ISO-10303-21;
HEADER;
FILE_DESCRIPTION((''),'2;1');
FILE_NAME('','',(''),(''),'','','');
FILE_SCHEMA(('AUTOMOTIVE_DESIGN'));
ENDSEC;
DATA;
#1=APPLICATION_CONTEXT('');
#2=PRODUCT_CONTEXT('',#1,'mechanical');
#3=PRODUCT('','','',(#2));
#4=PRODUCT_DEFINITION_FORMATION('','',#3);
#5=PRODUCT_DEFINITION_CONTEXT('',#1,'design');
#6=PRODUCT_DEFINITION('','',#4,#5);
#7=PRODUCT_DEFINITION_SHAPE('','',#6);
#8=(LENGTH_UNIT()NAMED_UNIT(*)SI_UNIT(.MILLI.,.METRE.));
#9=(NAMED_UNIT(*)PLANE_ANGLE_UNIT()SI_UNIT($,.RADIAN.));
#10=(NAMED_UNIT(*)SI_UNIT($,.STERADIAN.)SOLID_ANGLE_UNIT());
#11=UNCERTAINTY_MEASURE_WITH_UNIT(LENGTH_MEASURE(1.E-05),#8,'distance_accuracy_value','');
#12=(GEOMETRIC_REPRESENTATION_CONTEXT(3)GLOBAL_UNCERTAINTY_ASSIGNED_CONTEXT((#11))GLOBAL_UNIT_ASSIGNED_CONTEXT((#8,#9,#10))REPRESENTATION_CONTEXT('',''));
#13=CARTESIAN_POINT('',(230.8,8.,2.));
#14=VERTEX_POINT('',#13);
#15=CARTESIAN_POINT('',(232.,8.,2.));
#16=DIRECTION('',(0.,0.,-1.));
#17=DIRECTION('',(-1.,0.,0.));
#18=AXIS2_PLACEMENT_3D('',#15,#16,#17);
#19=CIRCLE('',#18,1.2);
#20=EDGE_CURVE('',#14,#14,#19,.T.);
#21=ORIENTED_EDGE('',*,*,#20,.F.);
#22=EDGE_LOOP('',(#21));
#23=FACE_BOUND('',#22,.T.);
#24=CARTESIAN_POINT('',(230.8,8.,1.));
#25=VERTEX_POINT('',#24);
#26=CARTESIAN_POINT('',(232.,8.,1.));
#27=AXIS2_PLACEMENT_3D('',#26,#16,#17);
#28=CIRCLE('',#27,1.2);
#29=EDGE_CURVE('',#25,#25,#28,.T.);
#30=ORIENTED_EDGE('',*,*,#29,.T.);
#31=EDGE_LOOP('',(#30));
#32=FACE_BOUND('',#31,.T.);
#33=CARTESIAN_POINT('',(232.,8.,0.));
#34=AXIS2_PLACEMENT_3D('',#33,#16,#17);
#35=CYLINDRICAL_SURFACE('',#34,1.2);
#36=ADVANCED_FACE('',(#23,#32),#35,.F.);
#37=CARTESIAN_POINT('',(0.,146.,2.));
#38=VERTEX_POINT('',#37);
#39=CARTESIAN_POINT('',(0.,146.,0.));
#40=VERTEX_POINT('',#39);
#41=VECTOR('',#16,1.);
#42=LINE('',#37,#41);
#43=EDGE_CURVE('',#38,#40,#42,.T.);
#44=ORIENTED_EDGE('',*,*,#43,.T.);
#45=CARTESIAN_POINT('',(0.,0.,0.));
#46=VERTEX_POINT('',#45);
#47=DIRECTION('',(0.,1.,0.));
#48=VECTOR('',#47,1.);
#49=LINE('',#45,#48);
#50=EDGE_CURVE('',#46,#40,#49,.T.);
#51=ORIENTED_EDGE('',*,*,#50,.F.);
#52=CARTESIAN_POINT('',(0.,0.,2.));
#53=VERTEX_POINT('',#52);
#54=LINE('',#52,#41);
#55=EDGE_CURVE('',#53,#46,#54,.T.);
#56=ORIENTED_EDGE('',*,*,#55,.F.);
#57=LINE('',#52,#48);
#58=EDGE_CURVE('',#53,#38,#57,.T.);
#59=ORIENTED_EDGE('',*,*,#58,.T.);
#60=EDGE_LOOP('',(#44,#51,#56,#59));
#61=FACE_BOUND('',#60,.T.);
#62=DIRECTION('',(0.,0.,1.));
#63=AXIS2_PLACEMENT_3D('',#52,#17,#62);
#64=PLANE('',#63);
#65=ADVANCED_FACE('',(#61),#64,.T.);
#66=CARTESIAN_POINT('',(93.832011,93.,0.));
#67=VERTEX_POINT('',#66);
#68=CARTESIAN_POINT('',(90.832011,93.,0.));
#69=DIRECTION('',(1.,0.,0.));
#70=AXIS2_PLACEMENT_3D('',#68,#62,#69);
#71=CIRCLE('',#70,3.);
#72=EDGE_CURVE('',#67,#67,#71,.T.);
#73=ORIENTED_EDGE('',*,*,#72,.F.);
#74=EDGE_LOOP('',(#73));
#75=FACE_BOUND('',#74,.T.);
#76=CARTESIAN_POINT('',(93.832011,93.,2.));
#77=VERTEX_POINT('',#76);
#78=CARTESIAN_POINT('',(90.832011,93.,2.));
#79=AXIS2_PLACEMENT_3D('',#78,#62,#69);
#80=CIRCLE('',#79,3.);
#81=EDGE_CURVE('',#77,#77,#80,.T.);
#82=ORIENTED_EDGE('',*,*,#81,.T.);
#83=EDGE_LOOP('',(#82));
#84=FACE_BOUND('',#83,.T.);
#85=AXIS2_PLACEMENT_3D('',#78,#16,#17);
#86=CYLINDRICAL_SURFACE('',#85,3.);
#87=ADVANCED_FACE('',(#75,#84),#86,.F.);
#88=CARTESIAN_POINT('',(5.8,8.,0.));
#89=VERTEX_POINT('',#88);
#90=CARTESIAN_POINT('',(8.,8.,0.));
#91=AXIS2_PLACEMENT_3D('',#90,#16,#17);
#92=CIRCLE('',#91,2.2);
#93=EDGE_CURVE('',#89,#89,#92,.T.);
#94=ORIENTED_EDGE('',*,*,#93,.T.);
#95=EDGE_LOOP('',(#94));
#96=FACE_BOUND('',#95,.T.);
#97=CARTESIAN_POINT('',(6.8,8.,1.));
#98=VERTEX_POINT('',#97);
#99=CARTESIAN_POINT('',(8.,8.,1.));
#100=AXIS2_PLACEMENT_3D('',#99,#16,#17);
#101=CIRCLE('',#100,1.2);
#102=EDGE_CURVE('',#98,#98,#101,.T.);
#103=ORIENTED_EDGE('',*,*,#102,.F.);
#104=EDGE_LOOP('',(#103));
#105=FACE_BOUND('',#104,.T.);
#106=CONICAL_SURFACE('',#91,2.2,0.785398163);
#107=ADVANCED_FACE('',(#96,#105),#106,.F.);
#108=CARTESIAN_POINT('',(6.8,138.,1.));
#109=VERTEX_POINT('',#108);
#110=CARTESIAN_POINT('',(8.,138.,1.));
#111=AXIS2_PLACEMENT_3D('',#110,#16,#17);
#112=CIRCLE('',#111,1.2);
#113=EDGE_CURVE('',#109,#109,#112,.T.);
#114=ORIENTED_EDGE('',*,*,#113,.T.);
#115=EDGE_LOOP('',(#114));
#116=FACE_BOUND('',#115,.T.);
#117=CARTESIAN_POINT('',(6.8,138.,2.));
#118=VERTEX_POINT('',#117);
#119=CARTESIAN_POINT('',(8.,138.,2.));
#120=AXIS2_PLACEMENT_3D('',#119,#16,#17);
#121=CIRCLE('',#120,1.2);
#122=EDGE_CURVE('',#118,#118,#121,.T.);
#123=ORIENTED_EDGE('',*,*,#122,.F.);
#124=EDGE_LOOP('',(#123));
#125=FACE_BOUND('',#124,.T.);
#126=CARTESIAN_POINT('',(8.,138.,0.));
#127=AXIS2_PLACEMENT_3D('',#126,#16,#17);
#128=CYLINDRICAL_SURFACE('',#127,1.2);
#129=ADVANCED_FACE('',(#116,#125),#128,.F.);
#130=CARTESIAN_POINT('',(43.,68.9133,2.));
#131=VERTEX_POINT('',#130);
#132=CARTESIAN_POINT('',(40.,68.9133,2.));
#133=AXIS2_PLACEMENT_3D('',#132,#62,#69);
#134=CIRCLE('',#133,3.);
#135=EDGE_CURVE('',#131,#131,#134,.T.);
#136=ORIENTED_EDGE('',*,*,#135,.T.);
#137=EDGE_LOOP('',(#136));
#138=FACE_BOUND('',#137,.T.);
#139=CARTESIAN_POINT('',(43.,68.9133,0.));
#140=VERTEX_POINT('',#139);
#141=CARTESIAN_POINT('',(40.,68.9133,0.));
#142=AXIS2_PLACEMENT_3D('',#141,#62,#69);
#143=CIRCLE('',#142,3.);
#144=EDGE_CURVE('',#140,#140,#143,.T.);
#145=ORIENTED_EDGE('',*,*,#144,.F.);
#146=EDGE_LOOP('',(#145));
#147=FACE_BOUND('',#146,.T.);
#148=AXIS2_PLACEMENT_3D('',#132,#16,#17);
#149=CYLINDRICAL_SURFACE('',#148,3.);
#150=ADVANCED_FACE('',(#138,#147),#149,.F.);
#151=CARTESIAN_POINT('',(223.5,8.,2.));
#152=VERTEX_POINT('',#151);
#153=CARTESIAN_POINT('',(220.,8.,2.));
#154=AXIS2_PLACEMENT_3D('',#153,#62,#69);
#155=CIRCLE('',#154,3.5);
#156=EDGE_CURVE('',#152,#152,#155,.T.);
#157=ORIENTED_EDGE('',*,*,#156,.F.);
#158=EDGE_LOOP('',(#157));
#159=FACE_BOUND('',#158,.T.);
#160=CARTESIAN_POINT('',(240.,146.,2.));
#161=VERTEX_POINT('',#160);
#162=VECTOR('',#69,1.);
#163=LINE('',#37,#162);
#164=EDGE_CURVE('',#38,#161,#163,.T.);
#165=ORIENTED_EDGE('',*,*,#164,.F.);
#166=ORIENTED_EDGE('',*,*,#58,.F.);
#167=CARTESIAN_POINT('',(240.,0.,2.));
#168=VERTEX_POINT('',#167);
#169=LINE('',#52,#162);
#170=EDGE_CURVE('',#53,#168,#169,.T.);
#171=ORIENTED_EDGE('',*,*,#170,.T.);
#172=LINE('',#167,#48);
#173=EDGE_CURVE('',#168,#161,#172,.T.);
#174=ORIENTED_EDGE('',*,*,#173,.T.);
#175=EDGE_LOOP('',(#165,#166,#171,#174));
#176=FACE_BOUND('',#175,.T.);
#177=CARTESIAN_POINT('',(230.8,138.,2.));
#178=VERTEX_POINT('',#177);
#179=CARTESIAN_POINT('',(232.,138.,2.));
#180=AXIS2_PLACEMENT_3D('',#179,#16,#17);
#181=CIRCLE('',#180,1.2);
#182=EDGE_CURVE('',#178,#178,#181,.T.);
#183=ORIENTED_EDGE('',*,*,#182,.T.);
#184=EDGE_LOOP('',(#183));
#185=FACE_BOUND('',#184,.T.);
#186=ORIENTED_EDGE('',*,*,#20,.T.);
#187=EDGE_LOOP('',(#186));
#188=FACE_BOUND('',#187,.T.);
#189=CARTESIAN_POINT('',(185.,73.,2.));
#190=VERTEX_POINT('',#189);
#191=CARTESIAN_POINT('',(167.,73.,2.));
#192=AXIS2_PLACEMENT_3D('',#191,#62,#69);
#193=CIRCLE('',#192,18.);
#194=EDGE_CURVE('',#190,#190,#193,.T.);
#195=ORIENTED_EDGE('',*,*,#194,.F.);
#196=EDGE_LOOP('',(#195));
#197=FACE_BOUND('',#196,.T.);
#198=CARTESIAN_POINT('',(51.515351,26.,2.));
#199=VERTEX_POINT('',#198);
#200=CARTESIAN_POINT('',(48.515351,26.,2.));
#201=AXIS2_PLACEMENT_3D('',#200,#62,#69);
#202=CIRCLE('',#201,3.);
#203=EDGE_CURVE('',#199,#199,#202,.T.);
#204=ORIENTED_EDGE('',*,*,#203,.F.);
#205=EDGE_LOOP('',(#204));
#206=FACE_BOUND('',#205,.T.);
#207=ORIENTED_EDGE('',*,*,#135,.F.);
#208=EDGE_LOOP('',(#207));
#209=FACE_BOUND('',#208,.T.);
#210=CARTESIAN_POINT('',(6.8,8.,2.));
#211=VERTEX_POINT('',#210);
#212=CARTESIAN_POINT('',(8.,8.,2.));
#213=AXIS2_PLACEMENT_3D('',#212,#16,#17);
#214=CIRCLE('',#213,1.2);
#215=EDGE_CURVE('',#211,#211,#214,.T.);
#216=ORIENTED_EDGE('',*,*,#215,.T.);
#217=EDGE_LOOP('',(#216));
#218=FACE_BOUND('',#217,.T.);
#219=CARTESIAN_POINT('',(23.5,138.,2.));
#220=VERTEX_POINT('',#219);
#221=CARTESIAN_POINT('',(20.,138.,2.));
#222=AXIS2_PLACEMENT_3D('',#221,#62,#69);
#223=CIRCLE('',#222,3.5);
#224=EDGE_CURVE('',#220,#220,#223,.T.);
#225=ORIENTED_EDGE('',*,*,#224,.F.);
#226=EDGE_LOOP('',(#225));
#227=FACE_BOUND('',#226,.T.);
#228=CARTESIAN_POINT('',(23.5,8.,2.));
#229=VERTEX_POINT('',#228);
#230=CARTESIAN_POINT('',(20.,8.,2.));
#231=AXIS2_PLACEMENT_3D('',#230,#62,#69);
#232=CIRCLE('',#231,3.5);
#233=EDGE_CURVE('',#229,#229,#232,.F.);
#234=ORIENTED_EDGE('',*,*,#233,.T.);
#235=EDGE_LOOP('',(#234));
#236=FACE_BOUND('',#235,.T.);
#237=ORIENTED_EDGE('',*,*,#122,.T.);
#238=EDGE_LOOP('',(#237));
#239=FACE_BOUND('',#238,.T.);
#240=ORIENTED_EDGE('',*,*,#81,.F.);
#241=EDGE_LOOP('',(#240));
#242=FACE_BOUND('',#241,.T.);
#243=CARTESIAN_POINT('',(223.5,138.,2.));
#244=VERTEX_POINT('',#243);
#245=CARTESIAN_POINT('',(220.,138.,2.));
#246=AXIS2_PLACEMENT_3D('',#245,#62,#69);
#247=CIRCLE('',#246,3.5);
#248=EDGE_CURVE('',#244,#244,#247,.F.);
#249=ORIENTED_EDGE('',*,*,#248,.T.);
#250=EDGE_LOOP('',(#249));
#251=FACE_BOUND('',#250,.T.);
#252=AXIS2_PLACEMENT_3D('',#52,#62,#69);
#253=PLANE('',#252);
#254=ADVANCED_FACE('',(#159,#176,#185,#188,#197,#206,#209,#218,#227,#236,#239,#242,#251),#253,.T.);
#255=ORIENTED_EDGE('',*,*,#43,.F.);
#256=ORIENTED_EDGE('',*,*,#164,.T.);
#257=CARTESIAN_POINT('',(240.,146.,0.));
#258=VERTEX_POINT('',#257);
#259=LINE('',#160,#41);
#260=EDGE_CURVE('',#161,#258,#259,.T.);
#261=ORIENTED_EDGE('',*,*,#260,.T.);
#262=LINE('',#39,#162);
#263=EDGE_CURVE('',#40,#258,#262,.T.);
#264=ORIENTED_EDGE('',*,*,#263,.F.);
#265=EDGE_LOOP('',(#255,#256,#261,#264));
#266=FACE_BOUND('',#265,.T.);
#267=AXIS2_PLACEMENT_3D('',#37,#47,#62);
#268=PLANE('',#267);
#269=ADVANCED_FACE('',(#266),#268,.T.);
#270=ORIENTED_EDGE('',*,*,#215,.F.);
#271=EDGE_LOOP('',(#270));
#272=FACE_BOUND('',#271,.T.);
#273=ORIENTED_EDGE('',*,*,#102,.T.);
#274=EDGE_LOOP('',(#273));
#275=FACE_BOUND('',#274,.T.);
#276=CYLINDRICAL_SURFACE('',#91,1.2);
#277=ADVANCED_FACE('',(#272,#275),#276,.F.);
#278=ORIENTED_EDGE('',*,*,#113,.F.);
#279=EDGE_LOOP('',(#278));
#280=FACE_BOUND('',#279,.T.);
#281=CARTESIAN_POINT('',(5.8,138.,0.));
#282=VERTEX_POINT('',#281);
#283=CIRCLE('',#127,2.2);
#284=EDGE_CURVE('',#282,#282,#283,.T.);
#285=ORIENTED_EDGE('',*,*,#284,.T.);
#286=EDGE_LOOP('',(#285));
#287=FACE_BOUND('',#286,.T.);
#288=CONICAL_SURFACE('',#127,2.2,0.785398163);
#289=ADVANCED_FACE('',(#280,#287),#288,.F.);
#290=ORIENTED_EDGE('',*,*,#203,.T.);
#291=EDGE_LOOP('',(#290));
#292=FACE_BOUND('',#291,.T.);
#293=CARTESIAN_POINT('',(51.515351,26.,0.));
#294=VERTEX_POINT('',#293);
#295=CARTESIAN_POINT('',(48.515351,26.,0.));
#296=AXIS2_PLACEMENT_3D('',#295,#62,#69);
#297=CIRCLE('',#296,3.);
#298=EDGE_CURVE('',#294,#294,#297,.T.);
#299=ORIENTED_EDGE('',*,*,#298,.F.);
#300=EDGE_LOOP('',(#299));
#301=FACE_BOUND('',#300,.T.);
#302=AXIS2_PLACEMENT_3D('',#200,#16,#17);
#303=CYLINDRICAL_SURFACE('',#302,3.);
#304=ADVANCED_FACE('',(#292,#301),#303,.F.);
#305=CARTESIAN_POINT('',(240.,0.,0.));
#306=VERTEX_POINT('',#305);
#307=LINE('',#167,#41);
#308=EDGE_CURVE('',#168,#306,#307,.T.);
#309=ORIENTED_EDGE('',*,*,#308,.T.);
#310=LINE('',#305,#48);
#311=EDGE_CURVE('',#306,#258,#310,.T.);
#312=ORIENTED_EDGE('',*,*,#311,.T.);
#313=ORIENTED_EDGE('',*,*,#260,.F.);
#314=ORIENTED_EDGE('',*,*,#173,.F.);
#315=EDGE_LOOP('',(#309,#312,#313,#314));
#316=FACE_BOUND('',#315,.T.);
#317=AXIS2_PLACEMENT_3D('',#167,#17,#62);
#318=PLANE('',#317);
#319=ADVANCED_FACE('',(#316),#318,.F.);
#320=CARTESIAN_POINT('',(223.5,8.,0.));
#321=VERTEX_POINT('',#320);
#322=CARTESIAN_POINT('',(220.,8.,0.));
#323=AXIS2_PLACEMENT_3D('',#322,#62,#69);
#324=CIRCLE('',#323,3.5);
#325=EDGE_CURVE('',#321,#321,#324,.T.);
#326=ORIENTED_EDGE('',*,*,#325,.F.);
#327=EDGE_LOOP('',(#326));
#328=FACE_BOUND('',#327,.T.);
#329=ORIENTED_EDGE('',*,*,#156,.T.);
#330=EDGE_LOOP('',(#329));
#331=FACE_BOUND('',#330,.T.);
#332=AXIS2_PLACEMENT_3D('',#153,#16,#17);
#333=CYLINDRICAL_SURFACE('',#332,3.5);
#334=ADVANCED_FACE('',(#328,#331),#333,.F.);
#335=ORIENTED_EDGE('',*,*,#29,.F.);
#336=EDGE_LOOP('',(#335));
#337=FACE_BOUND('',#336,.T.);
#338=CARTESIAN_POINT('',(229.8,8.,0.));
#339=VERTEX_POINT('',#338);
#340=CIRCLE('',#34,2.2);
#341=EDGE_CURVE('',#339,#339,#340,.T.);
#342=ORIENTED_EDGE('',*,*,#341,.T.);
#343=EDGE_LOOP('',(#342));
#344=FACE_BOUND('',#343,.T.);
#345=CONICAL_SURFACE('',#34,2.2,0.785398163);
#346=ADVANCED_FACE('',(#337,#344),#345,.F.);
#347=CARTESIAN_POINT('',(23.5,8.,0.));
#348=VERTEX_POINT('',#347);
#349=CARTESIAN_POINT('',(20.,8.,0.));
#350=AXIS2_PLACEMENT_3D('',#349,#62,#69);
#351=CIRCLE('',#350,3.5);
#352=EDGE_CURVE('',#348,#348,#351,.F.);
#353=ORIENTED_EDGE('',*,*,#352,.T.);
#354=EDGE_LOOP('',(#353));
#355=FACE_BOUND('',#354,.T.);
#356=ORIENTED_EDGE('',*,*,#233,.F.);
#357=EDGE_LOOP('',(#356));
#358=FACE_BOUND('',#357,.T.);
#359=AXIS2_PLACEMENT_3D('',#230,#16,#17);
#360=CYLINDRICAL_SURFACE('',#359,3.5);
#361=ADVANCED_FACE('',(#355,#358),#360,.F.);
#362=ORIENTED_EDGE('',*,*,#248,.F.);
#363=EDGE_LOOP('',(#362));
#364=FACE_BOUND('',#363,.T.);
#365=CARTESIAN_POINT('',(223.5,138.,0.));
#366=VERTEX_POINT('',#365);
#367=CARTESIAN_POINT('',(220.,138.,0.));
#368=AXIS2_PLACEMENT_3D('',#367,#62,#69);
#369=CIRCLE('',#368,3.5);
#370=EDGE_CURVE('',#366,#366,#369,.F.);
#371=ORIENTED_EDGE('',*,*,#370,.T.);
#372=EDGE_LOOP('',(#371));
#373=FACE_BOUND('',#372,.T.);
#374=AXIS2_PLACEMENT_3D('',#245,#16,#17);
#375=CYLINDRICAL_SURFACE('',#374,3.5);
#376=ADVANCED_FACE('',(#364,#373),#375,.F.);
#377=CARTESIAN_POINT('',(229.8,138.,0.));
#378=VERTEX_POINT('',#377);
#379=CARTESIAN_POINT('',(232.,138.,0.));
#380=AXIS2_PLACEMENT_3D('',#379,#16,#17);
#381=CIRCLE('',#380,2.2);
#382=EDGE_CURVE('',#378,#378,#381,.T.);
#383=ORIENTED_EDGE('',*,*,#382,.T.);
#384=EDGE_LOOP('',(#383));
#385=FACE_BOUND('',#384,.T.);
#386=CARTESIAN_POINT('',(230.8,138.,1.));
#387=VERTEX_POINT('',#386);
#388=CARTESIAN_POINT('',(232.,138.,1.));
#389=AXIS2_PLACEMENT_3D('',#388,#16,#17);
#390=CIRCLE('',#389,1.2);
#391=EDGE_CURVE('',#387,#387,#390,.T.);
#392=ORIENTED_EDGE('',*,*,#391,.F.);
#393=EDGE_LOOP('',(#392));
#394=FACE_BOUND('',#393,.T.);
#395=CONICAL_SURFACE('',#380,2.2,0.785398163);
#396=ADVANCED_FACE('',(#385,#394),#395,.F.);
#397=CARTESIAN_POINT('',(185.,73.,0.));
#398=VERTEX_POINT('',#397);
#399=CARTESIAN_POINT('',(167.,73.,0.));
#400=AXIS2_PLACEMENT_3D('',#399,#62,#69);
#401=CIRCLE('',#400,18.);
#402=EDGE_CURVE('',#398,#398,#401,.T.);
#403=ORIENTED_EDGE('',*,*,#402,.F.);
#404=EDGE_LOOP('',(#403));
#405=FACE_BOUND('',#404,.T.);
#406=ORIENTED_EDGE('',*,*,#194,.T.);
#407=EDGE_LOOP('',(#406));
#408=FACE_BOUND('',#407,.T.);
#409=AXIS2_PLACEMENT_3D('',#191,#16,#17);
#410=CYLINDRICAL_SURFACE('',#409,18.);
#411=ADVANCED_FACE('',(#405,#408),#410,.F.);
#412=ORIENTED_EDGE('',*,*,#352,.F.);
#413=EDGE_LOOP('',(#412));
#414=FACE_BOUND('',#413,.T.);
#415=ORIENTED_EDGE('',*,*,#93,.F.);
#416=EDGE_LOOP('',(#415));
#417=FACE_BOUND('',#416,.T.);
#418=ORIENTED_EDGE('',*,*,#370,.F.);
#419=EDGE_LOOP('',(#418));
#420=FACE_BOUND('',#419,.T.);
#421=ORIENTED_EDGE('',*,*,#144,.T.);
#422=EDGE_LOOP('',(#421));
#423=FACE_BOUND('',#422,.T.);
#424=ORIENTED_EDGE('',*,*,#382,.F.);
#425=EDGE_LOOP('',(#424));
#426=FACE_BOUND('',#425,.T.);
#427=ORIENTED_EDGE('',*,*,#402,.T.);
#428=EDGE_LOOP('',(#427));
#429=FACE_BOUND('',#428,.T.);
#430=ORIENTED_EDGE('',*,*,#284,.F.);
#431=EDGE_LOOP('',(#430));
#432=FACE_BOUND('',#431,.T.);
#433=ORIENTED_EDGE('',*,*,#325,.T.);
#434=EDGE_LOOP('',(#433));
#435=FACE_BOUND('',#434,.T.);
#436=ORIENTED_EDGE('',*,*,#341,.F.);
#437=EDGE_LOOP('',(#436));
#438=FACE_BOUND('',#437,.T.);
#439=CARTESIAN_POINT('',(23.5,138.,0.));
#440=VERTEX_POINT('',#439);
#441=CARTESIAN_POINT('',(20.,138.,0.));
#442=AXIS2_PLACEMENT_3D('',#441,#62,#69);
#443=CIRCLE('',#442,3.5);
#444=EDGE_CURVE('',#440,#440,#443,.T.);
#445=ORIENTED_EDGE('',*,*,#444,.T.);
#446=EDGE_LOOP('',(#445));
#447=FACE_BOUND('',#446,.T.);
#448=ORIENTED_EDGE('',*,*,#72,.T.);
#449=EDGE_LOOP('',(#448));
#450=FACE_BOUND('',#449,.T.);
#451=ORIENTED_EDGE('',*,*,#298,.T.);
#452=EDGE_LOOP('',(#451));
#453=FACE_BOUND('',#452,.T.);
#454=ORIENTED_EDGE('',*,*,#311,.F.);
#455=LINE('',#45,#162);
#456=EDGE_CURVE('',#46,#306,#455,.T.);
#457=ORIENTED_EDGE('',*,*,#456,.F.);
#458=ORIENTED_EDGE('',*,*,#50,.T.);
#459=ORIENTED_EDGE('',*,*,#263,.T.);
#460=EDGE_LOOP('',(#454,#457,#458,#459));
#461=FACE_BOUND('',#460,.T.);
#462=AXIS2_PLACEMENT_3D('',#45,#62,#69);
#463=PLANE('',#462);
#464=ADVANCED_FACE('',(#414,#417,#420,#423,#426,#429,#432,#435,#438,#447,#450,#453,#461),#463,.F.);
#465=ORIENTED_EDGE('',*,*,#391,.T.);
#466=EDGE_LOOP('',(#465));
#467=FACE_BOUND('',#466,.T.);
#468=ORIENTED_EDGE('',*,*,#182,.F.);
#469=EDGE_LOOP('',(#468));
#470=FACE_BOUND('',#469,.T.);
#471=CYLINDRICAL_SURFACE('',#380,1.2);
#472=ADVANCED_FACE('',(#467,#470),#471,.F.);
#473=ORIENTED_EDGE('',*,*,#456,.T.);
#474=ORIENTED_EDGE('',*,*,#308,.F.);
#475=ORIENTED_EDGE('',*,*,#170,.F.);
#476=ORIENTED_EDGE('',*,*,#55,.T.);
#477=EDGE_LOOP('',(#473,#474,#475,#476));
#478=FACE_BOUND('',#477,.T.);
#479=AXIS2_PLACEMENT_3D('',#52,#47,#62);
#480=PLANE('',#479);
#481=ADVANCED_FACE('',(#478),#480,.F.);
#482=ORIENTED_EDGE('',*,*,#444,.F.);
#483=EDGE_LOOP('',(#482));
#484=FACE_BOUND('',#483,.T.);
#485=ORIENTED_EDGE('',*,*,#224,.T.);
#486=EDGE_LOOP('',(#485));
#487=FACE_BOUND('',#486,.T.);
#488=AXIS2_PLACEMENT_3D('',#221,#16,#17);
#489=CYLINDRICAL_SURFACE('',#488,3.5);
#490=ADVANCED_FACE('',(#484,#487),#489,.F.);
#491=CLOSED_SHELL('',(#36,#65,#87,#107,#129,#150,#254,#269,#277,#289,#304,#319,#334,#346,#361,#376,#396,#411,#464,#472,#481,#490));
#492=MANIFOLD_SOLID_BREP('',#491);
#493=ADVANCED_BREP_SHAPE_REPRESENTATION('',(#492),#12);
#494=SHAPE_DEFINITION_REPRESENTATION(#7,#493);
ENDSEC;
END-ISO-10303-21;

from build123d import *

# Parameters (mm, degrees)
SKETCH_1_W                 = 240
SKETCH_1_H                 = 146
SKETCH_1_R                 = 3
SKETCH_1_R_2               = 18
SKETCH_1_R_3               = 3.5
EXTRUDE_1_DEPTH            = 2
HOLE_WIZARD_M21_AT_2_COUNT = 2
HOLE_WIZARD_M21_AT_2_PITCH = 224
HOLE_WIZARD_M21_AT_3_COUNT = 2
HOLE_WIZARD_M21_AT_3_PITCH = 258.99034731
HOLE_WIZARD_M21_AT_4_COUNT = 2
HOLE_WIZARD_M21_AT_4_PITCH = 130


with BuildPart() as part:
    # Эскиз1 → Бобышка-Вытянуть1 (new body)
    with BuildSketch(Plane.XY):
        with Locations((120, 73)):
            Rectangle(SKETCH_1_W, SKETCH_1_H)
        with Locations((48.515350749, 26)):
            Circle(SKETCH_1_R, mode=Mode.SUBTRACT)
        with Locations((40, 68.913299822)):
            Circle(SKETCH_1_R, mode=Mode.SUBTRACT)
        with Locations((90.832011317, 93)):
            Circle(SKETCH_1_R, mode=Mode.SUBTRACT)
        with Locations((167, 73)):
            Circle(SKETCH_1_R_2, mode=Mode.SUBTRACT)
        with Locations((20, 138)):
            Circle(SKETCH_1_R_3, mode=Mode.SUBTRACT)
        with Locations((20, 8)):
            Circle(SKETCH_1_R_3, mode=Mode.SUBTRACT)
        with Locations((220, 8)):
            Circle(SKETCH_1_R_3, mode=Mode.SUBTRACT)
        with Locations((220, 138)):
            Circle(SKETCH_1_R_3, mode=Mode.SUBTRACT)
    extrude(amount=EXTRUDE_1_DEPTH)

    # Эскиз5 → Зенковка для винта с полупотайной головкой M21 (revolve, cut)
    with BuildSketch(Plane(origin=(232, 138, 0), x_dir=(0, 1, 0), z_dir=(1, 0, 0))):
        Polygon((0, 0), (0, 2), (1.2, 2), (1.2, 1), (2.2, 0), align=None)
    hole_wizard_m21 = revolve(axis=Axis((232, 138, -6.35), (0, 0, 1)), mode=Mode.SUBTRACT)

    # Зенковка для винта с полупотайной головкой M21 at 2: Зенковка для винта с полупотайной головкой M21 ×2
    with Locations(*[(-i * HOLE_WIZARD_M21_AT_2_PITCH, 0, 0) for i in range(1, HOLE_WIZARD_M21_AT_2_COUNT)]):
        add(hole_wizard_m21, mode=Mode.SUBTRACT)

    # Зенковка для винта с полупотайной головкой M21 at 3: Зенковка для винта с полупотайной головкой M21 ×2
    with Locations(*[Vector(-0.864897099, -0.501949209, 0) * (i * HOLE_WIZARD_M21_AT_3_PITCH) for i in range(1, HOLE_WIZARD_M21_AT_3_COUNT)]):
        add(hole_wizard_m21, mode=Mode.SUBTRACT)

    # Зенковка для винта с полупотайной головкой M21 at 4: Зенковка для винта с полупотайной головкой M21 ×2
    with Locations(*[(0, -i * HOLE_WIZARD_M21_AT_4_PITCH, 0) for i in range(1, HOLE_WIZARD_M21_AT_4_COUNT)]):
        add(hole_wizard_m21, mode=Mode.SUBTRACT)


solid = part.part
